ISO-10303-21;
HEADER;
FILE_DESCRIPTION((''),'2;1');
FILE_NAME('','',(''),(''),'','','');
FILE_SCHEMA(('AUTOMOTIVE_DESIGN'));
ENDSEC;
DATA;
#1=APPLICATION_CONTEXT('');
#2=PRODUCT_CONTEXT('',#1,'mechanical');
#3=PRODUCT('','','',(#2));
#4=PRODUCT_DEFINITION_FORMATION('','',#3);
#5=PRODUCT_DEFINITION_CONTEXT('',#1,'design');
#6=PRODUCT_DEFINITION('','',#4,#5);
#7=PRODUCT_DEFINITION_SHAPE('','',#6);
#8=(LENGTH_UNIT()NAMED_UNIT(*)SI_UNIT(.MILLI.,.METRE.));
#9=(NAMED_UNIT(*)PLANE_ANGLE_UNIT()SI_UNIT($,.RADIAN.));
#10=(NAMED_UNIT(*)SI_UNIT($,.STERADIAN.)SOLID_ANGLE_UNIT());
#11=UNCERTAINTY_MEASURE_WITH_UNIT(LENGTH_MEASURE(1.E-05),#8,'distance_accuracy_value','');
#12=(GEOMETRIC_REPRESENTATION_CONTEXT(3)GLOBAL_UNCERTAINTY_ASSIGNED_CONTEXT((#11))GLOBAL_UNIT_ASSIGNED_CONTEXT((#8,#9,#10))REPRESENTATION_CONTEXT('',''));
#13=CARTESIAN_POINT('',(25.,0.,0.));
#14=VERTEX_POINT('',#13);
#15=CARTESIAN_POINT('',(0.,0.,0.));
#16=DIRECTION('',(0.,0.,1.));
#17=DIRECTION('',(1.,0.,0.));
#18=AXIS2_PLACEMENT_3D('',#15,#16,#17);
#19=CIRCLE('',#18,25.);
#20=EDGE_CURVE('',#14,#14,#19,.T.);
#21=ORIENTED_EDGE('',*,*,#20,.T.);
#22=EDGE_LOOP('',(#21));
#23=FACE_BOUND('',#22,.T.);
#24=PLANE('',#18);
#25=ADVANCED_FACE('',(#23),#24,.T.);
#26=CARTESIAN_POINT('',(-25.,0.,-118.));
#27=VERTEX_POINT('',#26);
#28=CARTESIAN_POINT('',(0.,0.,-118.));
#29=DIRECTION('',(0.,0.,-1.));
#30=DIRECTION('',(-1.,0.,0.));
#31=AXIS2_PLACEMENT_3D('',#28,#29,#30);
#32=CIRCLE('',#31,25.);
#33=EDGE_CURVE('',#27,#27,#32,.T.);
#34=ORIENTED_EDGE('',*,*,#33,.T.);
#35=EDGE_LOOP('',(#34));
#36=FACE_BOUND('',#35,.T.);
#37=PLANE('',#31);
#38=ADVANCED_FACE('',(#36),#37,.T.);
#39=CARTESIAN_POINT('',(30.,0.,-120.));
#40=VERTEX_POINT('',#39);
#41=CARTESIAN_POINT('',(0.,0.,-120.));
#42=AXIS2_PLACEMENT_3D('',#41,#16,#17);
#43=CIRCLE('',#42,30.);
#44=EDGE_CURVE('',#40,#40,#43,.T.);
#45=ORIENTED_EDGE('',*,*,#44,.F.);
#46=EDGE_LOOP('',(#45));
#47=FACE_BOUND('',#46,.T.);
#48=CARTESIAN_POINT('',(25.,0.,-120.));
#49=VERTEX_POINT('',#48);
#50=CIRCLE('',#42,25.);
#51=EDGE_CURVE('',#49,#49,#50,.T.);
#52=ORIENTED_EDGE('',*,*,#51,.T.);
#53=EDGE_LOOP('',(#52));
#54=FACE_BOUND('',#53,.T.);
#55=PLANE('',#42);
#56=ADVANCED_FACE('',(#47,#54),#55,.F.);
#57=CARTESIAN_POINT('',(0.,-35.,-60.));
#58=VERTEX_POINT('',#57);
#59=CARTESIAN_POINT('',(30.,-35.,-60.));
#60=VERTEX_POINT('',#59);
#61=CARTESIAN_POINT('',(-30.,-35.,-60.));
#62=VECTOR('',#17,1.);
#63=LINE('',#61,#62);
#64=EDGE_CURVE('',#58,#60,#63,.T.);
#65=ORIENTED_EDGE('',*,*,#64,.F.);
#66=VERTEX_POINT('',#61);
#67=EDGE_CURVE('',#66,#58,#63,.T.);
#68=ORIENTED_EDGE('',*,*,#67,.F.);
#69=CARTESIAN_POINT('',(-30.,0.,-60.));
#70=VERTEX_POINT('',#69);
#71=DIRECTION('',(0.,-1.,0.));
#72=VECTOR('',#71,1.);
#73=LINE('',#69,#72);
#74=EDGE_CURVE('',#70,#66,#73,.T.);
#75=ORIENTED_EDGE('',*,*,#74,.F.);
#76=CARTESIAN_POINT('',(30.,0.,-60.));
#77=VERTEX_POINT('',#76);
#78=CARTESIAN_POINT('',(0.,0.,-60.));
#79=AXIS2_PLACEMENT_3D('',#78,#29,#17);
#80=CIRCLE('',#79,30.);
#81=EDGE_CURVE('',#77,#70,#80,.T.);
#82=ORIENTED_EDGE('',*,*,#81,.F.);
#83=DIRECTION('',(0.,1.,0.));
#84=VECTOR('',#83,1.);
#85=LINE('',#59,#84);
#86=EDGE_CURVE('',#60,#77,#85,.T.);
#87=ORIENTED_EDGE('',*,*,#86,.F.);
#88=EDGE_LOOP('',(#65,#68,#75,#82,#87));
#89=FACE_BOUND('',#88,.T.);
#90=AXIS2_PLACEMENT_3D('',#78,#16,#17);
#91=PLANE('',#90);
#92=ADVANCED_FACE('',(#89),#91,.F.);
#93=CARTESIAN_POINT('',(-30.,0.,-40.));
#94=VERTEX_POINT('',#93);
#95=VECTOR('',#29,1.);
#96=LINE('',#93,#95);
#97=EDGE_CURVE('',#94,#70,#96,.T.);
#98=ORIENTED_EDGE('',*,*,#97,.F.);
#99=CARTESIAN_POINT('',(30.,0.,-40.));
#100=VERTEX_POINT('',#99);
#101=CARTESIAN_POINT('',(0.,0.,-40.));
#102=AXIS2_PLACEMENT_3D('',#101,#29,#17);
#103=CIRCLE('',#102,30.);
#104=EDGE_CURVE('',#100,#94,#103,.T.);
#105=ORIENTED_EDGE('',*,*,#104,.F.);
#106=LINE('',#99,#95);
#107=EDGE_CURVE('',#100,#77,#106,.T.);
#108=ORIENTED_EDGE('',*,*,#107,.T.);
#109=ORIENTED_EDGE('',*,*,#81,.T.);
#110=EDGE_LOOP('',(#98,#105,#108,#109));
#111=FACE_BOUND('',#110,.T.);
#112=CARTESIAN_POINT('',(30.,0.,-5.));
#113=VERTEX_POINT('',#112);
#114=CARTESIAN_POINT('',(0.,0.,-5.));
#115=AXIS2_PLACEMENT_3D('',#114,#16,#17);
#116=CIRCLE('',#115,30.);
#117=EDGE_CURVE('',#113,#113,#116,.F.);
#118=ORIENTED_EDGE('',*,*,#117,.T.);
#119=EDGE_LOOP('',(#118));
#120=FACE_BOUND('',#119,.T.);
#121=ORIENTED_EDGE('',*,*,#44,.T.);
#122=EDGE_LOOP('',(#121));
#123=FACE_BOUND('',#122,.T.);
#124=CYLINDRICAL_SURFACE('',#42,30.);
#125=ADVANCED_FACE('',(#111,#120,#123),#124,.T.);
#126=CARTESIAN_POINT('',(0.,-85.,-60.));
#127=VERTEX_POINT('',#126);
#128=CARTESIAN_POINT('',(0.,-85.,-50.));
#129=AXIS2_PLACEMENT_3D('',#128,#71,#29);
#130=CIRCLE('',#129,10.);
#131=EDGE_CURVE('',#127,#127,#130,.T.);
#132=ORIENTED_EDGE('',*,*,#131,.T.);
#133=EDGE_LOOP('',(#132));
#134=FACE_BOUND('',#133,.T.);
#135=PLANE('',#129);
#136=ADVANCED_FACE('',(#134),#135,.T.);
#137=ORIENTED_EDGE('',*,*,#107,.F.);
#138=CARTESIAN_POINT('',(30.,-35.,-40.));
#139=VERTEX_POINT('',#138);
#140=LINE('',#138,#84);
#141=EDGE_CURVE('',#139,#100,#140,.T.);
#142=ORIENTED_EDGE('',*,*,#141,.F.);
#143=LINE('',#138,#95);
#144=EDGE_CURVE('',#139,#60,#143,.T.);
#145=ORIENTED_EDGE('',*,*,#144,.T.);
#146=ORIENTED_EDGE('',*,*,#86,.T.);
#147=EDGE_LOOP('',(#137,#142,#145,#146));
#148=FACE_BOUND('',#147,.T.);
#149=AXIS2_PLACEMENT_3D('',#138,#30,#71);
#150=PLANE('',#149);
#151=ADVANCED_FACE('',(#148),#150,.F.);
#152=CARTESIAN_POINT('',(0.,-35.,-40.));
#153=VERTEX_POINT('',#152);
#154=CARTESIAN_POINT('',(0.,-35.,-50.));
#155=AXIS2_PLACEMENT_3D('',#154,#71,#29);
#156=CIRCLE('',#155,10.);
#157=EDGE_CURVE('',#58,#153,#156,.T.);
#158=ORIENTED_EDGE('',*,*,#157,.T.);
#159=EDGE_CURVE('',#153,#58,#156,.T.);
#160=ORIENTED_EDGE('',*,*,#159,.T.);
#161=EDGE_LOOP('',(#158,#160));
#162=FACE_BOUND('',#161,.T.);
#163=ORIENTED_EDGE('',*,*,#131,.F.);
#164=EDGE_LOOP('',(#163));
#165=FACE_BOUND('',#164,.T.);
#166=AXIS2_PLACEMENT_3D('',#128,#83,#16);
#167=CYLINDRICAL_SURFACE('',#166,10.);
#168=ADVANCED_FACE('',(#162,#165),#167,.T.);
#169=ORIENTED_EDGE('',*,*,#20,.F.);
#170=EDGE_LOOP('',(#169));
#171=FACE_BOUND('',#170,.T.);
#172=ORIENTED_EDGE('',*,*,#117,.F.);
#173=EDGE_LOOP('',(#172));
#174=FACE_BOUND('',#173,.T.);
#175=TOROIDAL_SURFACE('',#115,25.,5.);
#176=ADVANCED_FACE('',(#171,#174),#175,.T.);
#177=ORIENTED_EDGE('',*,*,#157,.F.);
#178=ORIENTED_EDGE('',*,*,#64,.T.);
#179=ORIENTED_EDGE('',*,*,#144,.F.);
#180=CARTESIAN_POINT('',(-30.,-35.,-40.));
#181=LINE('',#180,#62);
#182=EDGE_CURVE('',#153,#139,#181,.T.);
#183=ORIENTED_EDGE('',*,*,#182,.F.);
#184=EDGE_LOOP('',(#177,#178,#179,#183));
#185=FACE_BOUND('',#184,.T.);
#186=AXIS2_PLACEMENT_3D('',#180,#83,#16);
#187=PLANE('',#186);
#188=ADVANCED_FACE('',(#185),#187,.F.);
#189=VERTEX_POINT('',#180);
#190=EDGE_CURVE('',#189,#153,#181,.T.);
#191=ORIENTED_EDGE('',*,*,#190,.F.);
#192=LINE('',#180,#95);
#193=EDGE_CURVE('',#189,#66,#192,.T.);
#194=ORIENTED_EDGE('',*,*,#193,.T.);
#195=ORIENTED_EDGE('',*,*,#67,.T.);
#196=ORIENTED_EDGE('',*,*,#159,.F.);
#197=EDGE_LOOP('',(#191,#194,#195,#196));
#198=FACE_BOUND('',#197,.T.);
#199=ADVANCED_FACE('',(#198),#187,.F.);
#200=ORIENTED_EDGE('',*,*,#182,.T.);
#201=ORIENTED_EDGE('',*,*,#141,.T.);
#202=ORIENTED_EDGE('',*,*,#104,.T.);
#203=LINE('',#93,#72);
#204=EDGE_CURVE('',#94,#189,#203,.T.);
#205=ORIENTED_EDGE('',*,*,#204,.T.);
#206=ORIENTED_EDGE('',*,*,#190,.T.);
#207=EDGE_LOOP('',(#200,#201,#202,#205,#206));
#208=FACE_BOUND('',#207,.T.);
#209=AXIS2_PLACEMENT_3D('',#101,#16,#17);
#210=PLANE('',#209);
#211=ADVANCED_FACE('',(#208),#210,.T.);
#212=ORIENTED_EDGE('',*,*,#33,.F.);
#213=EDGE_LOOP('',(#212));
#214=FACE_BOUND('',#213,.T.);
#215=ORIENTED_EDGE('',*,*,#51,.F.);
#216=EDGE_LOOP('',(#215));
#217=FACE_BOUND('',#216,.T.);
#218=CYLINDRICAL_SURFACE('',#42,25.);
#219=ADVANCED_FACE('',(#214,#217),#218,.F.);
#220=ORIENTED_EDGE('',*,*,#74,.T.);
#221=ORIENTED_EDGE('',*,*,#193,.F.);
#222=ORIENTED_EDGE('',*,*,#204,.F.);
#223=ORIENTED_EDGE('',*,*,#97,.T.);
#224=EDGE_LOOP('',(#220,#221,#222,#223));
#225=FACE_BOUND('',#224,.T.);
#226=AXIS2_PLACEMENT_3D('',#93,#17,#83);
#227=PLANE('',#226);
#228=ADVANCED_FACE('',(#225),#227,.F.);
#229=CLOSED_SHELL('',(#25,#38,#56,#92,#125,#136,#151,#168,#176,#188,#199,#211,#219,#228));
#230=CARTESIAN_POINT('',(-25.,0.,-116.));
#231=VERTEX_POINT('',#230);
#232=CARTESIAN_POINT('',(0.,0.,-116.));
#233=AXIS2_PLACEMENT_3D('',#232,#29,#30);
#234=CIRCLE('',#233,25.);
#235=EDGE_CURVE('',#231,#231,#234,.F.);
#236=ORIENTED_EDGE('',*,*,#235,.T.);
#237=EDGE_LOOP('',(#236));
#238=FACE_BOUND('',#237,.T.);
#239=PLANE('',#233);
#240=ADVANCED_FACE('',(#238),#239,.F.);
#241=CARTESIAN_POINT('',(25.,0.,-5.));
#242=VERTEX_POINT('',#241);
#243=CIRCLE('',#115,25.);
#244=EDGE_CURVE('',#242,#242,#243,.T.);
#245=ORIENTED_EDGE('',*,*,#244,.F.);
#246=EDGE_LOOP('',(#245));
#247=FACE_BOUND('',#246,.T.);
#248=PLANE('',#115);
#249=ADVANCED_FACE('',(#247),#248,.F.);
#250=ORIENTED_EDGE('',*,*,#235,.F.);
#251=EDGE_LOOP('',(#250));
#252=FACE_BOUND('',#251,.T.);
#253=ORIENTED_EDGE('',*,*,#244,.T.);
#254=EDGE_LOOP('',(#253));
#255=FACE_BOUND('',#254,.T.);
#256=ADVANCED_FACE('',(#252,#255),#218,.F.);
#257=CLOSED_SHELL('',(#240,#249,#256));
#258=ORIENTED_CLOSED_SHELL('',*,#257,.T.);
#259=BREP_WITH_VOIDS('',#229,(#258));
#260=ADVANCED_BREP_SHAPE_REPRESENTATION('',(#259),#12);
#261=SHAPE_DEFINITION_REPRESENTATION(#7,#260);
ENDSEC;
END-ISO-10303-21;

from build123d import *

# Parameters (mm, degrees)
TUBE_SKETCH_R             = 30
TUBE_EXTRUDE_DEPTH        = 120
TUBE_SHELL_T              = -5
SUPPRT_START              = 20
SUPPRT_BAND_EXTRUDE_DEPTH = 20
PIN_SKETCH_R              = 10
PIN_EXTRUDE_DEPTH         = 50
APERTURE_START            = -4
APERTURE_SKETCH_R         = 25
APERTURE_EXTRUDE_DEPTH    = 2
REAR_FILLET_R             = 5


with BuildPart() as part:
    # Tube Sketch → Tube Extrude (new body)
    with BuildSketch(Plane.XY):
        Circle(TUBE_SKETCH_R)
    extrude(amount=-TUBE_EXTRUDE_DEPTH)

    # Tube Shell
    tube_shell_openings = [part.faces().sort_by_distance(p)[0] for p in [
        (0, 0, -120),
    ]]
    offset(amount=TUBE_SHELL_T, openings=tube_shell_openings, kind=Kind.INTERSECTION)

    # Support Band Sketch → Supprt Band Extrude (add)
    with BuildSketch(Plane.XY.offset(-60).offset(SUPPRT_START)):
        with BuildLine():
            Line((-30, 0), (-30, -35))
            Line((-30, -35), (30, -35))
            Line((30, -35), (30, 0))
            ThreePointArc((30, 0), (0, -30), (-30, 0))
        make_face()
    extrude(amount=-SUPPRT_BAND_EXTRUDE_DEPTH)

    # Pin Sketch → Pin Extrude (add)
    with BuildSketch(Plane.XZ.offset(35)):
        with Locations(Location((0, -50, 0), (0, 0, 270))):
            Circle(PIN_SKETCH_R)
    extrude(amount=PIN_EXTRUDE_DEPTH)

    # Aperture Sketch → Aperture Extrude (add)
    with BuildSketch(Plane(origin=(0, 0, -120), x_dir=(-1, 0, 0), z_dir=(0, 0, -1)).offset(APERTURE_START)):
        with Locations(Location((0, 0, 0), (0, 0, 180))):
            Circle(APERTURE_SKETCH_R)
    extrude(amount=APERTURE_EXTRUDE_DEPTH)

    # Rear Fillet
    rear_fillet_edges = [part.edges().sort_by_distance(p)[0] for p in [
        (-30, 0, 0),
    ]]
    fillet(rear_fillet_edges, radius=REAR_FILLET_R)


solid = part.part
